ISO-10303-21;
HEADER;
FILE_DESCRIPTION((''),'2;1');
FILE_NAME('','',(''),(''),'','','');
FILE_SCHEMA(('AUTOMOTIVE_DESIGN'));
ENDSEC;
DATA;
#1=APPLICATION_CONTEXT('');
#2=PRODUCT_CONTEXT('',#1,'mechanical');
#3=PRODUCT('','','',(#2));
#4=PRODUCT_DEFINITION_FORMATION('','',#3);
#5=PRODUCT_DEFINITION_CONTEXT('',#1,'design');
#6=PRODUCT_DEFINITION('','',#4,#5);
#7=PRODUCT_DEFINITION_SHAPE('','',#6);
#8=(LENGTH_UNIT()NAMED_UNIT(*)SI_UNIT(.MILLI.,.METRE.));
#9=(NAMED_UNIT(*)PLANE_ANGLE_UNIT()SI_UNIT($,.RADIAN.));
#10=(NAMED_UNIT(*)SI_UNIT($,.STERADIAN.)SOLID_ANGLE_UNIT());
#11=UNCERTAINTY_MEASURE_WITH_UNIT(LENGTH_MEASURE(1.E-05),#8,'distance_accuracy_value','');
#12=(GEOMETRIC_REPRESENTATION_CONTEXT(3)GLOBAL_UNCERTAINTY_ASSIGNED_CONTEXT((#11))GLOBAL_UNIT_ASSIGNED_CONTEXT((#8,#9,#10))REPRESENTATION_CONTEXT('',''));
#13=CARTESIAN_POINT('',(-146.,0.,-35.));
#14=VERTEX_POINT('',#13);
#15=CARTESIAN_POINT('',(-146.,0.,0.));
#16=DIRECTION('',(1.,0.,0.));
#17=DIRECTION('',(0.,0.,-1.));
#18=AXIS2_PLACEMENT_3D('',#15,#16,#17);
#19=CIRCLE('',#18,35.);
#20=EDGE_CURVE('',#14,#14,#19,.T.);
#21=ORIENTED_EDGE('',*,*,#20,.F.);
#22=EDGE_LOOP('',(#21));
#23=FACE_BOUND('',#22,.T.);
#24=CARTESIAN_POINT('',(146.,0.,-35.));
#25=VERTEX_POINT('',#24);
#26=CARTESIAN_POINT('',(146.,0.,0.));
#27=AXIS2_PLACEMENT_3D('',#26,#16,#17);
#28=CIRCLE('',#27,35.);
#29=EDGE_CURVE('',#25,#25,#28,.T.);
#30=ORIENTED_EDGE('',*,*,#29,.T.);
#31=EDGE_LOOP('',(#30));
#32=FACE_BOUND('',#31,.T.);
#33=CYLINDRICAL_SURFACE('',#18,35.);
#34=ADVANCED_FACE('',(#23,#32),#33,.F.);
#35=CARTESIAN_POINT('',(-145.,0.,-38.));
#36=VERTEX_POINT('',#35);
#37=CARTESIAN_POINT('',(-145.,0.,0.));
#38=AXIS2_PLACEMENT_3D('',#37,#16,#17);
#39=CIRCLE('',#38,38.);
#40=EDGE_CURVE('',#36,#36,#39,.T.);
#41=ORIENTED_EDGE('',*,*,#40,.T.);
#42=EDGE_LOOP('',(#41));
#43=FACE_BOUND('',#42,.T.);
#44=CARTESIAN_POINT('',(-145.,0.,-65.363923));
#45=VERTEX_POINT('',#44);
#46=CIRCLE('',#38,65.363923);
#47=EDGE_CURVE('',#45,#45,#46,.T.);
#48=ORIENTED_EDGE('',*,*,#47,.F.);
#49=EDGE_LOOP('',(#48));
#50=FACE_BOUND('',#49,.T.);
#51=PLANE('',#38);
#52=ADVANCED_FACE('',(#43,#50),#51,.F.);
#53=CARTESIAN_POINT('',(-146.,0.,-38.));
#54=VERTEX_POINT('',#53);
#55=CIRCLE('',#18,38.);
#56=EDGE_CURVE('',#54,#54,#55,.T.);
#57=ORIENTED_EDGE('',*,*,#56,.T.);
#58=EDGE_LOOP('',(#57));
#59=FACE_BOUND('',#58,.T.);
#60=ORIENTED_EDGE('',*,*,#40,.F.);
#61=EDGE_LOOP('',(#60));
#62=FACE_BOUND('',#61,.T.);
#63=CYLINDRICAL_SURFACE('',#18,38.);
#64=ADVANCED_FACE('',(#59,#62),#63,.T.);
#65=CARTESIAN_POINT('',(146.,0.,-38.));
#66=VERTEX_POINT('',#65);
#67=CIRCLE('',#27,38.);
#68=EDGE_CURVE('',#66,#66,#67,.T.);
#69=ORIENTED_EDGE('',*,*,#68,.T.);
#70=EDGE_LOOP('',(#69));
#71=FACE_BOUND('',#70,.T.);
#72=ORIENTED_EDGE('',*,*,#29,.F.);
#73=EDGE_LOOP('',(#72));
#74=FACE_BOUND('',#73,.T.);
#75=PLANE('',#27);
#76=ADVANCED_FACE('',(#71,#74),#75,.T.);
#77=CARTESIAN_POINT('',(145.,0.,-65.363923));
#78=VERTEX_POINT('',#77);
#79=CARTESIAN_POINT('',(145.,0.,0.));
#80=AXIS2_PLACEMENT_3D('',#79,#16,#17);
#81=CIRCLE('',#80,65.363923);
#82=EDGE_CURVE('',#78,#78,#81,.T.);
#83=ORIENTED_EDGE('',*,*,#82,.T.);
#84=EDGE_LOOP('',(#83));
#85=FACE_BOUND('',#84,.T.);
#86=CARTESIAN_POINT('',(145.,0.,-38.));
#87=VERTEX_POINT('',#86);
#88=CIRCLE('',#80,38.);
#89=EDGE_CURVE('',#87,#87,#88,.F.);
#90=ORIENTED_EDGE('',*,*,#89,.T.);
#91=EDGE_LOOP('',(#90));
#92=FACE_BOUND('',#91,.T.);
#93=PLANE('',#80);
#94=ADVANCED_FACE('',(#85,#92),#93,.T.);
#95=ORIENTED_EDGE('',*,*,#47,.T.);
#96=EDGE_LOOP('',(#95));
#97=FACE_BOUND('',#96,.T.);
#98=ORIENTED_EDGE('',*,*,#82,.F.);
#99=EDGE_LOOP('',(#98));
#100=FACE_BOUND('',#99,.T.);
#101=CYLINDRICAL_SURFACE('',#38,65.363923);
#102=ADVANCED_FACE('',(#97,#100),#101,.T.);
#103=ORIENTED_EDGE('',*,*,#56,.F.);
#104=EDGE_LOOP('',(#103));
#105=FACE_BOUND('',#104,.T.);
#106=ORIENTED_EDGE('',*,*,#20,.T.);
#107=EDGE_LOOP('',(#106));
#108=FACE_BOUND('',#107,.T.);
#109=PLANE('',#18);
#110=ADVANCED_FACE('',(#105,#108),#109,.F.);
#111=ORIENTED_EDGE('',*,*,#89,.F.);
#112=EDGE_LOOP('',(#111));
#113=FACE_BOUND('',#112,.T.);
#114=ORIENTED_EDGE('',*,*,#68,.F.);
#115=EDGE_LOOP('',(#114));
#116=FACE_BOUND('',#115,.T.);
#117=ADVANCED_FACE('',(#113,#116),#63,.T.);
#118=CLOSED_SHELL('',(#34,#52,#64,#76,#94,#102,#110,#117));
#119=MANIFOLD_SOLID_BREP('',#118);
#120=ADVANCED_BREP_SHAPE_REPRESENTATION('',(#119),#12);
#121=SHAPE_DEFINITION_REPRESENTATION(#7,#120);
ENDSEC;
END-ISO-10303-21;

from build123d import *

# Parameters (mm, degrees)
SALIENTE_EXTRUIR1_DEPTH      = 146
SALIENTE_EXTRUIR1_DEPTH_BACK = 146
CROQUIS1_R                   = 38
CROQUIS1_R_2                 = 35
SALIENTE_EXTRUIR2_DEPTH      = 145
SALIENTE_EXTRUIR2_DEPTH_BACK = 145
CROQUIS2_R                   = 65.363922799
CROQUIS2_R_2                 = 38


with BuildPart() as part:
    # Croquis1 → Saliente-Extruir1 (new, two sides: drawn at the far end of the back side and taken through both)
    with BuildSketch(Plane(origin=(0, 0, 0), x_dir=(0, 0, -1), z_dir=(1, 0, 0)).offset(-SALIENTE_EXTRUIR1_DEPTH_BACK)):
        Circle(CROQUIS1_R)
        Circle(CROQUIS1_R_2, mode=Mode.SUBTRACT)
    extrude(amount=SALIENTE_EXTRUIR1_DEPTH + SALIENTE_EXTRUIR1_DEPTH_BACK)

    # Croquis2 → Saliente-Extruir2 (add, two sides: drawn at the far end of the back side and taken through both)
    with BuildSketch(Plane(origin=(0, 0, 0), x_dir=(0, 0, -1), z_dir=(1, 0, 0)).offset(-SALIENTE_EXTRUIR2_DEPTH_BACK)):
        Circle(CROQUIS2_R)
        Circle(CROQUIS2_R_2, mode=Mode.SUBTRACT)
    extrude(amount=SALIENTE_EXTRUIR2_DEPTH + SALIENTE_EXTRUIR2_DEPTH_BACK)


solid = part.part
